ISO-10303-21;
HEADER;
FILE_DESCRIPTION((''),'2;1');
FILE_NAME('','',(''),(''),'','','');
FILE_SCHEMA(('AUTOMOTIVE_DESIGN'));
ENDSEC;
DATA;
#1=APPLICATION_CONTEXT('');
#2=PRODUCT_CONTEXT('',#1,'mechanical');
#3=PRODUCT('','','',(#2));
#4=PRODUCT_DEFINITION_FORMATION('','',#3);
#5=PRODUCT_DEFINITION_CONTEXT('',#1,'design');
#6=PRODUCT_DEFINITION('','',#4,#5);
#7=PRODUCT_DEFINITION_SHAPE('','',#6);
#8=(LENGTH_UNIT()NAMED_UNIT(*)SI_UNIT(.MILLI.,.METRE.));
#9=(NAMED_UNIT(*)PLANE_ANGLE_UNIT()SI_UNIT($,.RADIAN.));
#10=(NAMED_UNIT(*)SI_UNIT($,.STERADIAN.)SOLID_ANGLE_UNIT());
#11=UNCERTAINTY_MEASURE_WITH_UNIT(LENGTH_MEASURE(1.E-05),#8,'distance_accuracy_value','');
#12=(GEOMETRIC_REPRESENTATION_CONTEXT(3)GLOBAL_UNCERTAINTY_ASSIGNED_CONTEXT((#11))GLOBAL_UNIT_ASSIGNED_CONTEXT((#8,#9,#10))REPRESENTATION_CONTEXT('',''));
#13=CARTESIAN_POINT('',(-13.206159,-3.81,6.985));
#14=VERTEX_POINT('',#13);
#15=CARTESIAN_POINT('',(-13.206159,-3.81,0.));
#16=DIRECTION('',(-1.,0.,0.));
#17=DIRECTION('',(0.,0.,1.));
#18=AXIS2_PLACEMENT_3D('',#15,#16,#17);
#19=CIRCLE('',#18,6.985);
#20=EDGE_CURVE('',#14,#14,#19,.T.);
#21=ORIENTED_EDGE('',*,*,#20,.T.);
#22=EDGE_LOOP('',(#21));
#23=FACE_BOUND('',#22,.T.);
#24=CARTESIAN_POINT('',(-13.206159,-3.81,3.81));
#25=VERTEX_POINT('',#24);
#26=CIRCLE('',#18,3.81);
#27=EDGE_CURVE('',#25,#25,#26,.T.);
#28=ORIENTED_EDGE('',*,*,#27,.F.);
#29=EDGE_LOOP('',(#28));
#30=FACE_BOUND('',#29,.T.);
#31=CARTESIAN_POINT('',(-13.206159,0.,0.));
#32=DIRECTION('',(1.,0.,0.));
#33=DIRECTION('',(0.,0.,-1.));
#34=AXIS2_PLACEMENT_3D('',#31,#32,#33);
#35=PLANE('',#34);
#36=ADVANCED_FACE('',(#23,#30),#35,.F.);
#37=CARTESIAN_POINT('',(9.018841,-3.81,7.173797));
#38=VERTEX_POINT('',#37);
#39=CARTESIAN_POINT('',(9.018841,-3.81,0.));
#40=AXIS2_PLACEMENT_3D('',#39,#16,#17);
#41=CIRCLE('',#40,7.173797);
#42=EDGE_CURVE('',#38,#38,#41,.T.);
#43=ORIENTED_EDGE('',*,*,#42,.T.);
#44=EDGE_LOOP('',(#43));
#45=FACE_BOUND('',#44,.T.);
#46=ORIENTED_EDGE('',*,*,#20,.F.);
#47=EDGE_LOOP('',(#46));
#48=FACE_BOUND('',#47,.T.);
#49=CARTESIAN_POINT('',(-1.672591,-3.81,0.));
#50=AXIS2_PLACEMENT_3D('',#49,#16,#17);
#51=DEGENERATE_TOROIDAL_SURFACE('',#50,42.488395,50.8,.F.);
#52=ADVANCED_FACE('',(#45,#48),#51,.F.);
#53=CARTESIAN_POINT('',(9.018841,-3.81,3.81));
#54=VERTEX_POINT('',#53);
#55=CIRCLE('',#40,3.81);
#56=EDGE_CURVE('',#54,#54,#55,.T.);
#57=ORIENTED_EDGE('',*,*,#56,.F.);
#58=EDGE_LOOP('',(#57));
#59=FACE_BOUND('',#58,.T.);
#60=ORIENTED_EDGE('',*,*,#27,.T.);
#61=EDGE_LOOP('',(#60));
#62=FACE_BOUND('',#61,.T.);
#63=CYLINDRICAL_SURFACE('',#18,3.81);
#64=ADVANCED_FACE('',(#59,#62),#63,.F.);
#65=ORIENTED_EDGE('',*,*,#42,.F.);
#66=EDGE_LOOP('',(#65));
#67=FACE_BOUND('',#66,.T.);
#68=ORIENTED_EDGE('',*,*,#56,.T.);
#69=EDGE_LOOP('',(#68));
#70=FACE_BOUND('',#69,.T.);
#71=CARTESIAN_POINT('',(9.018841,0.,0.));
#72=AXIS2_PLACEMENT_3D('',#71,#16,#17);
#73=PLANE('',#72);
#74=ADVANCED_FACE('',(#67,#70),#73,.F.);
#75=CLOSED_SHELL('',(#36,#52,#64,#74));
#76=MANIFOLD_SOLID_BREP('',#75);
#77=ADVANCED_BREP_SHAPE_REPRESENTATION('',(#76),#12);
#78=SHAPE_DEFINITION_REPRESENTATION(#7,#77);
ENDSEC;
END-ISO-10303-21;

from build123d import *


with BuildPart() as part:
    # Sketch1 → Revolve1 (revolve)
    with BuildSketch(Plane.XY, mode=Mode.PRIVATE) as revolve1_sk:
        with BuildLine():
            Line((-13.20615942, 0), (9.01884058, 0))
            Line((9.01884058, 0), (9.01884058, 3.363796727))
            ThreePointArc((9.01884058, 3.363796727), (-2.104111189, 4.499772243), (-13.20615942, 3.175))
            Line((-13.20615942, 3.175), (-13.20615942, 0))
        make_face()
    revolve(revolve1_sk.sketch.rotate(Axis((-13.20615942, -3.81, 0), (1, 0, 0)), 90), axis=Axis((-13.20615942, -3.81, 0), (1, 0, 0)))


solid = part.part
